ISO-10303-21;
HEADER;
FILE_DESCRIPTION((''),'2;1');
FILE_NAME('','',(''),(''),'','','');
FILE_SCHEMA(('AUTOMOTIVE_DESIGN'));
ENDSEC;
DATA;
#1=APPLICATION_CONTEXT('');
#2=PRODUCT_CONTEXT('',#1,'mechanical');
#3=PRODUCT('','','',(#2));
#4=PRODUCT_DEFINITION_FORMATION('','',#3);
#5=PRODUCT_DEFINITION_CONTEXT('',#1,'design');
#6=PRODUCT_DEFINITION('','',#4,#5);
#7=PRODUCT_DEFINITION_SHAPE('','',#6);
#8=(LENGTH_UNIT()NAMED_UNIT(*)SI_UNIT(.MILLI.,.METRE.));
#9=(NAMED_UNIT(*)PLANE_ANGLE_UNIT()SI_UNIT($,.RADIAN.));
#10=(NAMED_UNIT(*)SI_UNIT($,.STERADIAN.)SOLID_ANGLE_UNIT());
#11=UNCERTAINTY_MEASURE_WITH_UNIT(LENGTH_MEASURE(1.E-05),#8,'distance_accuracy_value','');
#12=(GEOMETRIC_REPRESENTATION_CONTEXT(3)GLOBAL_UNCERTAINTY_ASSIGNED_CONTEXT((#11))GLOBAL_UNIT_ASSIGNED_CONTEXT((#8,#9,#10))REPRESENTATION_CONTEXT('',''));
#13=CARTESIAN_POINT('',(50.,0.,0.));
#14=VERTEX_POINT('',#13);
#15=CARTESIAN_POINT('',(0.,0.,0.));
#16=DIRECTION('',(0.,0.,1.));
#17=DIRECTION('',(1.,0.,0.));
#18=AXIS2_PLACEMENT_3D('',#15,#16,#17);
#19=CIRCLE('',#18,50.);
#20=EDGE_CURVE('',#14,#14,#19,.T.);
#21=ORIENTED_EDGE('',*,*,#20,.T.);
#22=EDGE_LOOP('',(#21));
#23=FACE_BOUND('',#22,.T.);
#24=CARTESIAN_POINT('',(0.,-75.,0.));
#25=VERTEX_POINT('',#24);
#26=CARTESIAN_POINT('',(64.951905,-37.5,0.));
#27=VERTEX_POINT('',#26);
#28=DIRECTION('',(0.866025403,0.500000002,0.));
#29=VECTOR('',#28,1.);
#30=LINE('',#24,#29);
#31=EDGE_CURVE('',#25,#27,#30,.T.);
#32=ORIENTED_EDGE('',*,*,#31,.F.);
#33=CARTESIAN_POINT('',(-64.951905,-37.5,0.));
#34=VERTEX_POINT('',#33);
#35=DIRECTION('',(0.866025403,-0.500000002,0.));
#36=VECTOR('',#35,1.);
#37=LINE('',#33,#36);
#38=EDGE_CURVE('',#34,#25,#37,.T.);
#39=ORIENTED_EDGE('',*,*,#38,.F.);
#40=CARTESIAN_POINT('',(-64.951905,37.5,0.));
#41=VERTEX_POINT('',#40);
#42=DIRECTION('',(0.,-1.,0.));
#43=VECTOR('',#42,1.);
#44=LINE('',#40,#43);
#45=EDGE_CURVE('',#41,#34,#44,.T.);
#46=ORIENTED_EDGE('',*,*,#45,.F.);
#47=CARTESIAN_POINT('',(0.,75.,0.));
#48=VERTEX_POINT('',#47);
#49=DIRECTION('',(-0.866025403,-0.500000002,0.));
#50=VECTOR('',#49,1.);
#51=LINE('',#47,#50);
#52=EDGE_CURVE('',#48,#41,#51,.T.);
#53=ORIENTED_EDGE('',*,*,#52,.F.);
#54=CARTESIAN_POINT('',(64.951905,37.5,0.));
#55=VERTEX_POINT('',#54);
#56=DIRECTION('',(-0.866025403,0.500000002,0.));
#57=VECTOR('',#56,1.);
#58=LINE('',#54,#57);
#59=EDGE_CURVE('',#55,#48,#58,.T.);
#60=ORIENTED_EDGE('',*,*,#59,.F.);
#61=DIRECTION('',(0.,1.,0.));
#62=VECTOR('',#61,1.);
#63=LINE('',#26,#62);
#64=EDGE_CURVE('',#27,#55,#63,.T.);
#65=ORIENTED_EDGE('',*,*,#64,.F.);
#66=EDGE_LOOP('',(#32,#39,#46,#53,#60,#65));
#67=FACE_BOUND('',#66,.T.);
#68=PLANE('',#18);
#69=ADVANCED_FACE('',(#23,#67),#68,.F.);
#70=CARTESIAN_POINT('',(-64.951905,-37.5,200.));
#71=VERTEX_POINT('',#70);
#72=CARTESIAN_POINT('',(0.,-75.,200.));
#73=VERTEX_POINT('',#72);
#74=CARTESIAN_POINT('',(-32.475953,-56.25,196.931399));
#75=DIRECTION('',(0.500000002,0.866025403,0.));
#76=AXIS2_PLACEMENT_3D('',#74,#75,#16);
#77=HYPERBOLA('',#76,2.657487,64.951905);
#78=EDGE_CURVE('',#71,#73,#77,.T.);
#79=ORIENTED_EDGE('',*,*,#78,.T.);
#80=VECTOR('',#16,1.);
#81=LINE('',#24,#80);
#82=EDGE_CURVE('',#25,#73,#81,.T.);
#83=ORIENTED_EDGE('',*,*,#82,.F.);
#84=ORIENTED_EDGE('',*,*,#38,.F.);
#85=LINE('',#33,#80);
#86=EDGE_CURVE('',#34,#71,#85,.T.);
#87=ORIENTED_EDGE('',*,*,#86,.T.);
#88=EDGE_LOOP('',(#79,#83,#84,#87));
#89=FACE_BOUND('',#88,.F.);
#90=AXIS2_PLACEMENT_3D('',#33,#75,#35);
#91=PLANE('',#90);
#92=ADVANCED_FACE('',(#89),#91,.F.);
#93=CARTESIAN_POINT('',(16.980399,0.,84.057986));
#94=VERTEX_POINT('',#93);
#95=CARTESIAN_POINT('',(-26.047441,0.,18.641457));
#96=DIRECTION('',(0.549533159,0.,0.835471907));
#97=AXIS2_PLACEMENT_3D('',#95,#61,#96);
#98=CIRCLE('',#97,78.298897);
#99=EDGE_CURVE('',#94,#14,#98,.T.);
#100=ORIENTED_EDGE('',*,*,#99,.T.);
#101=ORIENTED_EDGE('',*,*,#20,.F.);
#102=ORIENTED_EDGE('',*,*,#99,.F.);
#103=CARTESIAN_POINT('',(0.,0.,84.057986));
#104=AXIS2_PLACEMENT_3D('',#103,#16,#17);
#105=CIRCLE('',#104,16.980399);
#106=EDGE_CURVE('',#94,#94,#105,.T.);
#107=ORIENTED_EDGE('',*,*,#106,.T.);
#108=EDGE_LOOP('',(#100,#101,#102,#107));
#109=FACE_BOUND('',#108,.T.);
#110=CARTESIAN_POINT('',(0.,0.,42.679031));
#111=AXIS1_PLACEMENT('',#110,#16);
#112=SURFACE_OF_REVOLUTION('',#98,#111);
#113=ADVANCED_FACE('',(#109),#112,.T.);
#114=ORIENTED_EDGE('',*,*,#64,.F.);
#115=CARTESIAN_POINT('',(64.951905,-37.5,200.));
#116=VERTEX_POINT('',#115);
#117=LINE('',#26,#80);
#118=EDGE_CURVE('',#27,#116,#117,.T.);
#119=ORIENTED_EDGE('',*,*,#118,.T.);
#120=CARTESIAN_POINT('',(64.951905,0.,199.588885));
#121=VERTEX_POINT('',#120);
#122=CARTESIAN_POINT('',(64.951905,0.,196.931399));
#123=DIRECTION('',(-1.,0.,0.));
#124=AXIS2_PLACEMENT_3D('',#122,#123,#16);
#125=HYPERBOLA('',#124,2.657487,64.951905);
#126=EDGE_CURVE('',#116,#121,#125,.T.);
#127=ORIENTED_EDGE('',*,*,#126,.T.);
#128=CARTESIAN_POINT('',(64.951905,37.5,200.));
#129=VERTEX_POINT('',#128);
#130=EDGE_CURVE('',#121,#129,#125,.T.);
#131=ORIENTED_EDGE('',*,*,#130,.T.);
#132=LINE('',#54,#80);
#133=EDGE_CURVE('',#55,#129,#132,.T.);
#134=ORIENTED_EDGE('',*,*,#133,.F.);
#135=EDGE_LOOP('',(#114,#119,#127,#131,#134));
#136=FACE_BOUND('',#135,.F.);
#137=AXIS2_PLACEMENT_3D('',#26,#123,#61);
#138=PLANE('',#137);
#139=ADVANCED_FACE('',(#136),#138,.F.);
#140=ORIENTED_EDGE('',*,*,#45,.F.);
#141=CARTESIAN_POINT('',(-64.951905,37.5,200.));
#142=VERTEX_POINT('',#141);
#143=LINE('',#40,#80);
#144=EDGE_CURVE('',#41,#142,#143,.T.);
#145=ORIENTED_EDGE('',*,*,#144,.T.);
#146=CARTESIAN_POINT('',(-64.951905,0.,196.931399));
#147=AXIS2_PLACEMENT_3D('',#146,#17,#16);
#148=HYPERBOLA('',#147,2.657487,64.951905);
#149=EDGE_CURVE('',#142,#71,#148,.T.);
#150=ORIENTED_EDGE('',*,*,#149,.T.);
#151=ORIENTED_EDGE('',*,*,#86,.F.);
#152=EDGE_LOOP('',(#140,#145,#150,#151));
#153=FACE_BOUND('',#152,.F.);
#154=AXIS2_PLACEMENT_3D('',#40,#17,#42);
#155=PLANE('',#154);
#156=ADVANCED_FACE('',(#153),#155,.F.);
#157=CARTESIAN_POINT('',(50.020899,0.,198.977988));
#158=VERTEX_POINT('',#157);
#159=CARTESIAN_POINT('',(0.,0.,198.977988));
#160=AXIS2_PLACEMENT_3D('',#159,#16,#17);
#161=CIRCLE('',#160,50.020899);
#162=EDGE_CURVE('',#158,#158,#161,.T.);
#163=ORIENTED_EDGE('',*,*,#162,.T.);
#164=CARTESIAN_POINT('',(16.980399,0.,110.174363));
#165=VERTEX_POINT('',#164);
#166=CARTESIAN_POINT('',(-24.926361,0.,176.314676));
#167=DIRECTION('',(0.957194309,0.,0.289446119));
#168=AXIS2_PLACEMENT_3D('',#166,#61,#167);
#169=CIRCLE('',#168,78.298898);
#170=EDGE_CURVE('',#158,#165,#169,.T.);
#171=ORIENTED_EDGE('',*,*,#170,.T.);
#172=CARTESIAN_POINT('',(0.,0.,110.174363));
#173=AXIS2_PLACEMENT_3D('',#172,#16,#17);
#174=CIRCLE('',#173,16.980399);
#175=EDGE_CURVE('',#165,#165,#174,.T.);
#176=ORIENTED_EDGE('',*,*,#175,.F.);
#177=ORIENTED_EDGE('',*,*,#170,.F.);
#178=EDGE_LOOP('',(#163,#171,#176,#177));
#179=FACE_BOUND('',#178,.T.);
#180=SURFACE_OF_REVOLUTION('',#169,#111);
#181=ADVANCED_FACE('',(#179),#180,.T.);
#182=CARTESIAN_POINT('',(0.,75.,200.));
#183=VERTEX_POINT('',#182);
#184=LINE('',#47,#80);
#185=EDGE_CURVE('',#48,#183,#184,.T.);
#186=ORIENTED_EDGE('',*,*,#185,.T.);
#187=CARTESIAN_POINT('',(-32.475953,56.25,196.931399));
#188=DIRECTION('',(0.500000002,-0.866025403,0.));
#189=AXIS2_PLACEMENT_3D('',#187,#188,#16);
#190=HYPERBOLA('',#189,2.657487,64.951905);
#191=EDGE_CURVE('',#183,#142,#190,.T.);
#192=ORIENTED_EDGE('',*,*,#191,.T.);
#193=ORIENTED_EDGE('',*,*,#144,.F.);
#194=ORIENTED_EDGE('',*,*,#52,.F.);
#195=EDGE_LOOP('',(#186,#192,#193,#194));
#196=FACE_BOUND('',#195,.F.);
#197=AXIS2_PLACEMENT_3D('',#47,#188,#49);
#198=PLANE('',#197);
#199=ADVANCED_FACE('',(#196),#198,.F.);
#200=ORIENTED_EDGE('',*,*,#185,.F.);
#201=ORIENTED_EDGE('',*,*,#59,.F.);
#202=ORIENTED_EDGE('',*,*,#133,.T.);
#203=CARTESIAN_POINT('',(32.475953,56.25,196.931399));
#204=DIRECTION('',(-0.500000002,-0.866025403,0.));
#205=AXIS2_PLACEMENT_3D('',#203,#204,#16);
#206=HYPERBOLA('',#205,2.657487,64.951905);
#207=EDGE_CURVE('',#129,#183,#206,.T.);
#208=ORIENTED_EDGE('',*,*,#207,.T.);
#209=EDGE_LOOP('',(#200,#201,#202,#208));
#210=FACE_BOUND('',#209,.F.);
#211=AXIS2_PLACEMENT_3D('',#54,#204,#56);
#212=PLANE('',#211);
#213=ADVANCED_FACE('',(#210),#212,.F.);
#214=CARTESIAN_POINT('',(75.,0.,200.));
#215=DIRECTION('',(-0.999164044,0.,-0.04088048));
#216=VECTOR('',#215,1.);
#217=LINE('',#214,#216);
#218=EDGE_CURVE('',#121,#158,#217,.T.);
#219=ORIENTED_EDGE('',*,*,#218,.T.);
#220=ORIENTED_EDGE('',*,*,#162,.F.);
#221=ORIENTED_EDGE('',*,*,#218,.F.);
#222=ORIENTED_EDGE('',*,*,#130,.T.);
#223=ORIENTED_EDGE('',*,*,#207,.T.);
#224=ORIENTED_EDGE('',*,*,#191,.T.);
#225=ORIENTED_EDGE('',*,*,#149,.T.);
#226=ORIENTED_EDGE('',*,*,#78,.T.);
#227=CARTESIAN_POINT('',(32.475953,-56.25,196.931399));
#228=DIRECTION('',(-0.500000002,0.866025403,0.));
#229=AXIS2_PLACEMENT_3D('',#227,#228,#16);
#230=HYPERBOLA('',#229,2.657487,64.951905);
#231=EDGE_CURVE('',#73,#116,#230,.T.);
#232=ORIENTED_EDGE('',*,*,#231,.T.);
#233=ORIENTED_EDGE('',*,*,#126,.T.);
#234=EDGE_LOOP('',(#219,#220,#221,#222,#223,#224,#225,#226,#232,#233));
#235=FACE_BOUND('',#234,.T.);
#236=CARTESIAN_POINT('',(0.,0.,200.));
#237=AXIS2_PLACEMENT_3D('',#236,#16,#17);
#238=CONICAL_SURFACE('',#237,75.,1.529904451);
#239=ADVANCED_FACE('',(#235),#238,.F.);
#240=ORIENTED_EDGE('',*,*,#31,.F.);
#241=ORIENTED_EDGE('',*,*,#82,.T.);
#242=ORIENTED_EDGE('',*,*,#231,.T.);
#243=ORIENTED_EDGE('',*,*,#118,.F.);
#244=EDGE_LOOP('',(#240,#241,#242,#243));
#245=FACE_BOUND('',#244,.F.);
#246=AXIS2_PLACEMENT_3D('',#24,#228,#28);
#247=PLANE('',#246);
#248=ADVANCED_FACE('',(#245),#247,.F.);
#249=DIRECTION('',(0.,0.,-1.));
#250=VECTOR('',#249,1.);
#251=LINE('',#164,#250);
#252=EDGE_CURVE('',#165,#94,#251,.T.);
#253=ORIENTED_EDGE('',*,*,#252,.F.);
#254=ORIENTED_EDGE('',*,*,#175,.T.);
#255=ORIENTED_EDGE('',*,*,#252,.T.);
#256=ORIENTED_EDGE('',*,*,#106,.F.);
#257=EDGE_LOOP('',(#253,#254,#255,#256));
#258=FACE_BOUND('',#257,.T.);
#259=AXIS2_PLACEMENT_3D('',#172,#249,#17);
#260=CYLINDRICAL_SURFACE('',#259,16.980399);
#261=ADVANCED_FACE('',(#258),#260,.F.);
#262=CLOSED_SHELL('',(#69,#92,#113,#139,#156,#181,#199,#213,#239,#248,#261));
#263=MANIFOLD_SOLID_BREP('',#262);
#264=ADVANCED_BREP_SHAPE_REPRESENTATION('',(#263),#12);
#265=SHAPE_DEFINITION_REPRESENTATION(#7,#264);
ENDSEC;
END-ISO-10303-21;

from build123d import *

# Parameters (mm, degrees)
F3_DEPTH = 206.616135


with BuildPart() as f1:
    # F0 (on Front) → F1 (revolve)
    with BuildSketch(Plane.XZ):
        with BuildLine():
            ThreePointArc((16.980399, 84.057986), (46.830312, 47.269247), (50, 0))
            Line((50, 0), (75, 0))
            Line((75, 0), (75, 200))
            Line((75, 200), (50.020899, 198.977988))
            ThreePointArc((50.020899, 198.977988), (48.457809, 149.011176), (16.980399, 110.174363))
            Line((16.980399, 110.174363), (16.980399, 84.057986))
        make_face()
    revolve(axis=Axis((0, 0, 42.679031), (0, 0, 1)))

    # F2 (on Top) → F3 (intersect)
    with BuildSketch(Plane.XY):
        Polygon((-64.951905, 37.5), (-64.951905, -37.5), (0, -75), (64.951905, -37.5), (64.951905, 37.5), (0, 75), align=None)
    extrude(amount=F3_DEPTH, mode=Mode.INTERSECT)


solid = f1.part
